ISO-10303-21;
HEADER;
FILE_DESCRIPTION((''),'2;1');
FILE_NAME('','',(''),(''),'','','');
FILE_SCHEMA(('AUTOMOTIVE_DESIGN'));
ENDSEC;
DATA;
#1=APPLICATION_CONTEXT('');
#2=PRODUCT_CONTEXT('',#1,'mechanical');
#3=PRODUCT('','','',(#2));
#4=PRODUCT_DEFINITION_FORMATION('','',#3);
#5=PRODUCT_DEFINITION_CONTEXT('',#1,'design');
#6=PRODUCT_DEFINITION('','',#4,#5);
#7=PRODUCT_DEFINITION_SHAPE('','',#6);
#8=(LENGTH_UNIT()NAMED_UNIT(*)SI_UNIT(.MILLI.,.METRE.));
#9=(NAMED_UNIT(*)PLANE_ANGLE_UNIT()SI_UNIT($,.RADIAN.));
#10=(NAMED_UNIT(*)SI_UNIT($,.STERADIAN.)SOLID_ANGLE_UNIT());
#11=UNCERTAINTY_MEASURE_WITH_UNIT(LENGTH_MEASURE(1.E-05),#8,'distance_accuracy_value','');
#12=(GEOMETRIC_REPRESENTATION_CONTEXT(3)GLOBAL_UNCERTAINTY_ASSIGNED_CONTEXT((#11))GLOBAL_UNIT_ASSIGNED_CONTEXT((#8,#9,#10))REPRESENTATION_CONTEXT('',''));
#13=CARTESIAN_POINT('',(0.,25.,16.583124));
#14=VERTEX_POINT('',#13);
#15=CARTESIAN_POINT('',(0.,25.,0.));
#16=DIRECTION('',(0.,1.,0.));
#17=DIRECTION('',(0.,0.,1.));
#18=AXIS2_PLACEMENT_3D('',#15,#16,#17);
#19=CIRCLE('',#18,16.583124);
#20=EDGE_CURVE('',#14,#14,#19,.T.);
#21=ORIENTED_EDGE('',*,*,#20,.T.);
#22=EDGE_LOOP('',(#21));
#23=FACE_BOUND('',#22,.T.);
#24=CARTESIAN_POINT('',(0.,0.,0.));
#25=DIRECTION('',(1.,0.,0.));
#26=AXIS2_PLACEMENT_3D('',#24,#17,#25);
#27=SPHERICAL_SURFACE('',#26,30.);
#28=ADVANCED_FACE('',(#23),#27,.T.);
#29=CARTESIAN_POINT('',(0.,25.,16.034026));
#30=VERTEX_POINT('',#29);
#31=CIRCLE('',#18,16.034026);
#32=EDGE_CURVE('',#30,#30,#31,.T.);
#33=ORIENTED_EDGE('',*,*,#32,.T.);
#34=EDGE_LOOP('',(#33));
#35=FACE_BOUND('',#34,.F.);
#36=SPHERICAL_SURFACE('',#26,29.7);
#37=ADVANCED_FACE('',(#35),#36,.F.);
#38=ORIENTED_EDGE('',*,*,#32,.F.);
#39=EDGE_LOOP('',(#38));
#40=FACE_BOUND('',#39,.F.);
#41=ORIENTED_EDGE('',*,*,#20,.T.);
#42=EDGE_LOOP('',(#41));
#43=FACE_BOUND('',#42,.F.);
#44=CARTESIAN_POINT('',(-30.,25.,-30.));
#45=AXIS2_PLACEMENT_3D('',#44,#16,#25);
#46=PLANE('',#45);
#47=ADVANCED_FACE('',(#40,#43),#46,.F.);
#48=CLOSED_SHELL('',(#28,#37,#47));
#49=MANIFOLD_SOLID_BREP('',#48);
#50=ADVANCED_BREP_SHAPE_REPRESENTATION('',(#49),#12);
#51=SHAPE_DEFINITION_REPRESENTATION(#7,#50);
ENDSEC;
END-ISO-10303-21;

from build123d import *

# Parameters (mm, degrees)
BOX_W           = 60
BOX_H           = 40
BOX_DEPTH       = 60
SPHERE001_ANGLE = 180
SPHERE_ANGLE    = 180


with BuildPart() as cube:
    # Box → Box (new body)
    with BuildSketch(Plane(origin=(-30, -15, -30), x_dir=(1, 0, 0), z_dir=(0, 0, 1))):
        with Locations((30, 20)):
            Rectangle(BOX_W, BOX_H)
    extrude(amount=BOX_DEPTH)


with BuildPart() as inner:
    # Sphere001 → Sphere001 (revolve)
    with BuildSketch(Plane.XZ):
        with BuildLine():
            ThreePointArc((0, -29.7), (29.7, 0), (0, 29.7))
            Line((0, 29.7), (0, -29.7))
        make_face()
    revolve(axis=Axis((0, 0, 0), (0, 0, 1)), revolution_arc=SPHERE001_ANGLE)


with BuildPart() as cut001:
    # Sphere → Sphere (revolve)
    with BuildSketch(Plane.XZ):
        with BuildLine():
            ThreePointArc((0, -30), (30, 0), (0, 30))
            Line((0, 30), (0, -30))
        make_face()
    revolve(axis=Axis((0, 0, 0), (0, 0, 1)), revolution_arc=SPHERE_ANGLE)

    # Cut: cut Inner
    add(inner.part, mode=Mode.SUBTRACT)

    # Cut001: cut Cube
    add(cube.part, mode=Mode.SUBTRACT)


solid = cut001.part
